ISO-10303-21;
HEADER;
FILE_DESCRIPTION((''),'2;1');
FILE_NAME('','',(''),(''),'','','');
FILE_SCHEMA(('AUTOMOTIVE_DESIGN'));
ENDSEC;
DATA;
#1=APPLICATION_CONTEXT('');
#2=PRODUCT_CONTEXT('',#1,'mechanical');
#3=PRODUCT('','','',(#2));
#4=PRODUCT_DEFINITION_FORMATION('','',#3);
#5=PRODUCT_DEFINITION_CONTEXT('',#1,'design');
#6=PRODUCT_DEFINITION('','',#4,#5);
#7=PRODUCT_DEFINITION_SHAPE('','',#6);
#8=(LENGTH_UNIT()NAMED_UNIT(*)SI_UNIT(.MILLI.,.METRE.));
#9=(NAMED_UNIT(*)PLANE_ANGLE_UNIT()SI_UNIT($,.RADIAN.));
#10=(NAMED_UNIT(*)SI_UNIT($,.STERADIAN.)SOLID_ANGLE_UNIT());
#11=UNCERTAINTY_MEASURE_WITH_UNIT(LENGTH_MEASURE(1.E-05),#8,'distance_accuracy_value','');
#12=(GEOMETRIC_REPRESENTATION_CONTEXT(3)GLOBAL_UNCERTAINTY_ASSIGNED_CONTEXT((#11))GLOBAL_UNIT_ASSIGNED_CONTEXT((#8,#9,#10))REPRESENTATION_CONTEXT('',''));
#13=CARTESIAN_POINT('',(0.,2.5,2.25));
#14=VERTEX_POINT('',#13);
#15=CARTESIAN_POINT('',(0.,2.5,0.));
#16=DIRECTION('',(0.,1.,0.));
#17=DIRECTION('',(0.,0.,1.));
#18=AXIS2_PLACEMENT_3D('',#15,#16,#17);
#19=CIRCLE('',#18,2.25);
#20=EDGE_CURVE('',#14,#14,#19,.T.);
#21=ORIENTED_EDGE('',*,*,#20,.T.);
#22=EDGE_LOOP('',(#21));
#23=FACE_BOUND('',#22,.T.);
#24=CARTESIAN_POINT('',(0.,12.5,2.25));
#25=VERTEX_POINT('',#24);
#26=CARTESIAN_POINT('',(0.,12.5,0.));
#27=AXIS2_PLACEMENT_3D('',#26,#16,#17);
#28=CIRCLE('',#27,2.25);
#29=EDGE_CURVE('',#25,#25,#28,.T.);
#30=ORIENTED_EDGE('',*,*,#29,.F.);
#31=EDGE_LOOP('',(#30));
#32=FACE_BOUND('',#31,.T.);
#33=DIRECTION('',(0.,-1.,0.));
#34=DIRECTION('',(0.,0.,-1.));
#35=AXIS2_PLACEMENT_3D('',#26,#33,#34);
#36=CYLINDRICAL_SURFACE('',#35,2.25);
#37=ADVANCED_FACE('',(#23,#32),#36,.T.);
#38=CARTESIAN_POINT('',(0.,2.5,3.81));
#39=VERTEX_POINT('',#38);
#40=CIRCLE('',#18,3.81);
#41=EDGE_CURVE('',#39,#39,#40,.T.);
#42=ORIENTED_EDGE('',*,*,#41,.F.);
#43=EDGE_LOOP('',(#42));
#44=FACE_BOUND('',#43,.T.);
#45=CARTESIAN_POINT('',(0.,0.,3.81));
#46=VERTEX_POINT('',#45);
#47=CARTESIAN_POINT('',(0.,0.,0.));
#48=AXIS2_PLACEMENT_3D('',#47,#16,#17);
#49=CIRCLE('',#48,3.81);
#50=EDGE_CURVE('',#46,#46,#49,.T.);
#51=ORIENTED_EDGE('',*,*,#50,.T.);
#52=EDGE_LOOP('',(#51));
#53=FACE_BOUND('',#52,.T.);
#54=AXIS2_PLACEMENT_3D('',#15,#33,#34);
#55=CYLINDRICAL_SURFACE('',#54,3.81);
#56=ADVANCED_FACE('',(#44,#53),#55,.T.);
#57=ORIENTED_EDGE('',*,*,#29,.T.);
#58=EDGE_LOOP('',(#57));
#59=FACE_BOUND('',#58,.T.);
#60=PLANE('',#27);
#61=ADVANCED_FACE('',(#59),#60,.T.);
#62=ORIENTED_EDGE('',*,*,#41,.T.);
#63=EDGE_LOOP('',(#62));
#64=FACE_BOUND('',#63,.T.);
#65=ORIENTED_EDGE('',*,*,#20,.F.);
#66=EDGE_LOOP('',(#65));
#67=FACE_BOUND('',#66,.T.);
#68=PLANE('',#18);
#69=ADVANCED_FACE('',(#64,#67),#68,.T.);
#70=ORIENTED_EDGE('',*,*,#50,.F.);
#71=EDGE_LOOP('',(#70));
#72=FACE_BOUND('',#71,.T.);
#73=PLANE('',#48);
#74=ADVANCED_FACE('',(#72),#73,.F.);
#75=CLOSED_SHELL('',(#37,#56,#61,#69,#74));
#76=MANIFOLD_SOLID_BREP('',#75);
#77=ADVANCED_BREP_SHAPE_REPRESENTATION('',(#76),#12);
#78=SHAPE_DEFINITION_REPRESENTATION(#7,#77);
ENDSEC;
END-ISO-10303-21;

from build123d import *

# Parameters (mm, degrees)
SKETCH1_R           = 3.81
BOSS_EXTRUDE1_DEPTH = 2.5
SKETCH2_R           = 2.25
BOSS_EXTRUDE2_DEPTH = 10


with BuildPart() as part:
    # Sketch1 → Boss-Extrude1 (new body)
    with BuildSketch(Plane(origin=(0, 0, 0), x_dir=(1, 0, 0), z_dir=(0, 1, 0))):
        Circle(SKETCH1_R)
    extrude(amount=BOSS_EXTRUDE1_DEPTH)

    # Sketch2 → Boss-Extrude2 (add)
    with BuildSketch(Plane(origin=(0, 2.5, 0), x_dir=(1, 0, 0), z_dir=(0, 1, 0))):
        Circle(SKETCH2_R)
    extrude(amount=BOSS_EXTRUDE2_DEPTH)


solid = part.part
